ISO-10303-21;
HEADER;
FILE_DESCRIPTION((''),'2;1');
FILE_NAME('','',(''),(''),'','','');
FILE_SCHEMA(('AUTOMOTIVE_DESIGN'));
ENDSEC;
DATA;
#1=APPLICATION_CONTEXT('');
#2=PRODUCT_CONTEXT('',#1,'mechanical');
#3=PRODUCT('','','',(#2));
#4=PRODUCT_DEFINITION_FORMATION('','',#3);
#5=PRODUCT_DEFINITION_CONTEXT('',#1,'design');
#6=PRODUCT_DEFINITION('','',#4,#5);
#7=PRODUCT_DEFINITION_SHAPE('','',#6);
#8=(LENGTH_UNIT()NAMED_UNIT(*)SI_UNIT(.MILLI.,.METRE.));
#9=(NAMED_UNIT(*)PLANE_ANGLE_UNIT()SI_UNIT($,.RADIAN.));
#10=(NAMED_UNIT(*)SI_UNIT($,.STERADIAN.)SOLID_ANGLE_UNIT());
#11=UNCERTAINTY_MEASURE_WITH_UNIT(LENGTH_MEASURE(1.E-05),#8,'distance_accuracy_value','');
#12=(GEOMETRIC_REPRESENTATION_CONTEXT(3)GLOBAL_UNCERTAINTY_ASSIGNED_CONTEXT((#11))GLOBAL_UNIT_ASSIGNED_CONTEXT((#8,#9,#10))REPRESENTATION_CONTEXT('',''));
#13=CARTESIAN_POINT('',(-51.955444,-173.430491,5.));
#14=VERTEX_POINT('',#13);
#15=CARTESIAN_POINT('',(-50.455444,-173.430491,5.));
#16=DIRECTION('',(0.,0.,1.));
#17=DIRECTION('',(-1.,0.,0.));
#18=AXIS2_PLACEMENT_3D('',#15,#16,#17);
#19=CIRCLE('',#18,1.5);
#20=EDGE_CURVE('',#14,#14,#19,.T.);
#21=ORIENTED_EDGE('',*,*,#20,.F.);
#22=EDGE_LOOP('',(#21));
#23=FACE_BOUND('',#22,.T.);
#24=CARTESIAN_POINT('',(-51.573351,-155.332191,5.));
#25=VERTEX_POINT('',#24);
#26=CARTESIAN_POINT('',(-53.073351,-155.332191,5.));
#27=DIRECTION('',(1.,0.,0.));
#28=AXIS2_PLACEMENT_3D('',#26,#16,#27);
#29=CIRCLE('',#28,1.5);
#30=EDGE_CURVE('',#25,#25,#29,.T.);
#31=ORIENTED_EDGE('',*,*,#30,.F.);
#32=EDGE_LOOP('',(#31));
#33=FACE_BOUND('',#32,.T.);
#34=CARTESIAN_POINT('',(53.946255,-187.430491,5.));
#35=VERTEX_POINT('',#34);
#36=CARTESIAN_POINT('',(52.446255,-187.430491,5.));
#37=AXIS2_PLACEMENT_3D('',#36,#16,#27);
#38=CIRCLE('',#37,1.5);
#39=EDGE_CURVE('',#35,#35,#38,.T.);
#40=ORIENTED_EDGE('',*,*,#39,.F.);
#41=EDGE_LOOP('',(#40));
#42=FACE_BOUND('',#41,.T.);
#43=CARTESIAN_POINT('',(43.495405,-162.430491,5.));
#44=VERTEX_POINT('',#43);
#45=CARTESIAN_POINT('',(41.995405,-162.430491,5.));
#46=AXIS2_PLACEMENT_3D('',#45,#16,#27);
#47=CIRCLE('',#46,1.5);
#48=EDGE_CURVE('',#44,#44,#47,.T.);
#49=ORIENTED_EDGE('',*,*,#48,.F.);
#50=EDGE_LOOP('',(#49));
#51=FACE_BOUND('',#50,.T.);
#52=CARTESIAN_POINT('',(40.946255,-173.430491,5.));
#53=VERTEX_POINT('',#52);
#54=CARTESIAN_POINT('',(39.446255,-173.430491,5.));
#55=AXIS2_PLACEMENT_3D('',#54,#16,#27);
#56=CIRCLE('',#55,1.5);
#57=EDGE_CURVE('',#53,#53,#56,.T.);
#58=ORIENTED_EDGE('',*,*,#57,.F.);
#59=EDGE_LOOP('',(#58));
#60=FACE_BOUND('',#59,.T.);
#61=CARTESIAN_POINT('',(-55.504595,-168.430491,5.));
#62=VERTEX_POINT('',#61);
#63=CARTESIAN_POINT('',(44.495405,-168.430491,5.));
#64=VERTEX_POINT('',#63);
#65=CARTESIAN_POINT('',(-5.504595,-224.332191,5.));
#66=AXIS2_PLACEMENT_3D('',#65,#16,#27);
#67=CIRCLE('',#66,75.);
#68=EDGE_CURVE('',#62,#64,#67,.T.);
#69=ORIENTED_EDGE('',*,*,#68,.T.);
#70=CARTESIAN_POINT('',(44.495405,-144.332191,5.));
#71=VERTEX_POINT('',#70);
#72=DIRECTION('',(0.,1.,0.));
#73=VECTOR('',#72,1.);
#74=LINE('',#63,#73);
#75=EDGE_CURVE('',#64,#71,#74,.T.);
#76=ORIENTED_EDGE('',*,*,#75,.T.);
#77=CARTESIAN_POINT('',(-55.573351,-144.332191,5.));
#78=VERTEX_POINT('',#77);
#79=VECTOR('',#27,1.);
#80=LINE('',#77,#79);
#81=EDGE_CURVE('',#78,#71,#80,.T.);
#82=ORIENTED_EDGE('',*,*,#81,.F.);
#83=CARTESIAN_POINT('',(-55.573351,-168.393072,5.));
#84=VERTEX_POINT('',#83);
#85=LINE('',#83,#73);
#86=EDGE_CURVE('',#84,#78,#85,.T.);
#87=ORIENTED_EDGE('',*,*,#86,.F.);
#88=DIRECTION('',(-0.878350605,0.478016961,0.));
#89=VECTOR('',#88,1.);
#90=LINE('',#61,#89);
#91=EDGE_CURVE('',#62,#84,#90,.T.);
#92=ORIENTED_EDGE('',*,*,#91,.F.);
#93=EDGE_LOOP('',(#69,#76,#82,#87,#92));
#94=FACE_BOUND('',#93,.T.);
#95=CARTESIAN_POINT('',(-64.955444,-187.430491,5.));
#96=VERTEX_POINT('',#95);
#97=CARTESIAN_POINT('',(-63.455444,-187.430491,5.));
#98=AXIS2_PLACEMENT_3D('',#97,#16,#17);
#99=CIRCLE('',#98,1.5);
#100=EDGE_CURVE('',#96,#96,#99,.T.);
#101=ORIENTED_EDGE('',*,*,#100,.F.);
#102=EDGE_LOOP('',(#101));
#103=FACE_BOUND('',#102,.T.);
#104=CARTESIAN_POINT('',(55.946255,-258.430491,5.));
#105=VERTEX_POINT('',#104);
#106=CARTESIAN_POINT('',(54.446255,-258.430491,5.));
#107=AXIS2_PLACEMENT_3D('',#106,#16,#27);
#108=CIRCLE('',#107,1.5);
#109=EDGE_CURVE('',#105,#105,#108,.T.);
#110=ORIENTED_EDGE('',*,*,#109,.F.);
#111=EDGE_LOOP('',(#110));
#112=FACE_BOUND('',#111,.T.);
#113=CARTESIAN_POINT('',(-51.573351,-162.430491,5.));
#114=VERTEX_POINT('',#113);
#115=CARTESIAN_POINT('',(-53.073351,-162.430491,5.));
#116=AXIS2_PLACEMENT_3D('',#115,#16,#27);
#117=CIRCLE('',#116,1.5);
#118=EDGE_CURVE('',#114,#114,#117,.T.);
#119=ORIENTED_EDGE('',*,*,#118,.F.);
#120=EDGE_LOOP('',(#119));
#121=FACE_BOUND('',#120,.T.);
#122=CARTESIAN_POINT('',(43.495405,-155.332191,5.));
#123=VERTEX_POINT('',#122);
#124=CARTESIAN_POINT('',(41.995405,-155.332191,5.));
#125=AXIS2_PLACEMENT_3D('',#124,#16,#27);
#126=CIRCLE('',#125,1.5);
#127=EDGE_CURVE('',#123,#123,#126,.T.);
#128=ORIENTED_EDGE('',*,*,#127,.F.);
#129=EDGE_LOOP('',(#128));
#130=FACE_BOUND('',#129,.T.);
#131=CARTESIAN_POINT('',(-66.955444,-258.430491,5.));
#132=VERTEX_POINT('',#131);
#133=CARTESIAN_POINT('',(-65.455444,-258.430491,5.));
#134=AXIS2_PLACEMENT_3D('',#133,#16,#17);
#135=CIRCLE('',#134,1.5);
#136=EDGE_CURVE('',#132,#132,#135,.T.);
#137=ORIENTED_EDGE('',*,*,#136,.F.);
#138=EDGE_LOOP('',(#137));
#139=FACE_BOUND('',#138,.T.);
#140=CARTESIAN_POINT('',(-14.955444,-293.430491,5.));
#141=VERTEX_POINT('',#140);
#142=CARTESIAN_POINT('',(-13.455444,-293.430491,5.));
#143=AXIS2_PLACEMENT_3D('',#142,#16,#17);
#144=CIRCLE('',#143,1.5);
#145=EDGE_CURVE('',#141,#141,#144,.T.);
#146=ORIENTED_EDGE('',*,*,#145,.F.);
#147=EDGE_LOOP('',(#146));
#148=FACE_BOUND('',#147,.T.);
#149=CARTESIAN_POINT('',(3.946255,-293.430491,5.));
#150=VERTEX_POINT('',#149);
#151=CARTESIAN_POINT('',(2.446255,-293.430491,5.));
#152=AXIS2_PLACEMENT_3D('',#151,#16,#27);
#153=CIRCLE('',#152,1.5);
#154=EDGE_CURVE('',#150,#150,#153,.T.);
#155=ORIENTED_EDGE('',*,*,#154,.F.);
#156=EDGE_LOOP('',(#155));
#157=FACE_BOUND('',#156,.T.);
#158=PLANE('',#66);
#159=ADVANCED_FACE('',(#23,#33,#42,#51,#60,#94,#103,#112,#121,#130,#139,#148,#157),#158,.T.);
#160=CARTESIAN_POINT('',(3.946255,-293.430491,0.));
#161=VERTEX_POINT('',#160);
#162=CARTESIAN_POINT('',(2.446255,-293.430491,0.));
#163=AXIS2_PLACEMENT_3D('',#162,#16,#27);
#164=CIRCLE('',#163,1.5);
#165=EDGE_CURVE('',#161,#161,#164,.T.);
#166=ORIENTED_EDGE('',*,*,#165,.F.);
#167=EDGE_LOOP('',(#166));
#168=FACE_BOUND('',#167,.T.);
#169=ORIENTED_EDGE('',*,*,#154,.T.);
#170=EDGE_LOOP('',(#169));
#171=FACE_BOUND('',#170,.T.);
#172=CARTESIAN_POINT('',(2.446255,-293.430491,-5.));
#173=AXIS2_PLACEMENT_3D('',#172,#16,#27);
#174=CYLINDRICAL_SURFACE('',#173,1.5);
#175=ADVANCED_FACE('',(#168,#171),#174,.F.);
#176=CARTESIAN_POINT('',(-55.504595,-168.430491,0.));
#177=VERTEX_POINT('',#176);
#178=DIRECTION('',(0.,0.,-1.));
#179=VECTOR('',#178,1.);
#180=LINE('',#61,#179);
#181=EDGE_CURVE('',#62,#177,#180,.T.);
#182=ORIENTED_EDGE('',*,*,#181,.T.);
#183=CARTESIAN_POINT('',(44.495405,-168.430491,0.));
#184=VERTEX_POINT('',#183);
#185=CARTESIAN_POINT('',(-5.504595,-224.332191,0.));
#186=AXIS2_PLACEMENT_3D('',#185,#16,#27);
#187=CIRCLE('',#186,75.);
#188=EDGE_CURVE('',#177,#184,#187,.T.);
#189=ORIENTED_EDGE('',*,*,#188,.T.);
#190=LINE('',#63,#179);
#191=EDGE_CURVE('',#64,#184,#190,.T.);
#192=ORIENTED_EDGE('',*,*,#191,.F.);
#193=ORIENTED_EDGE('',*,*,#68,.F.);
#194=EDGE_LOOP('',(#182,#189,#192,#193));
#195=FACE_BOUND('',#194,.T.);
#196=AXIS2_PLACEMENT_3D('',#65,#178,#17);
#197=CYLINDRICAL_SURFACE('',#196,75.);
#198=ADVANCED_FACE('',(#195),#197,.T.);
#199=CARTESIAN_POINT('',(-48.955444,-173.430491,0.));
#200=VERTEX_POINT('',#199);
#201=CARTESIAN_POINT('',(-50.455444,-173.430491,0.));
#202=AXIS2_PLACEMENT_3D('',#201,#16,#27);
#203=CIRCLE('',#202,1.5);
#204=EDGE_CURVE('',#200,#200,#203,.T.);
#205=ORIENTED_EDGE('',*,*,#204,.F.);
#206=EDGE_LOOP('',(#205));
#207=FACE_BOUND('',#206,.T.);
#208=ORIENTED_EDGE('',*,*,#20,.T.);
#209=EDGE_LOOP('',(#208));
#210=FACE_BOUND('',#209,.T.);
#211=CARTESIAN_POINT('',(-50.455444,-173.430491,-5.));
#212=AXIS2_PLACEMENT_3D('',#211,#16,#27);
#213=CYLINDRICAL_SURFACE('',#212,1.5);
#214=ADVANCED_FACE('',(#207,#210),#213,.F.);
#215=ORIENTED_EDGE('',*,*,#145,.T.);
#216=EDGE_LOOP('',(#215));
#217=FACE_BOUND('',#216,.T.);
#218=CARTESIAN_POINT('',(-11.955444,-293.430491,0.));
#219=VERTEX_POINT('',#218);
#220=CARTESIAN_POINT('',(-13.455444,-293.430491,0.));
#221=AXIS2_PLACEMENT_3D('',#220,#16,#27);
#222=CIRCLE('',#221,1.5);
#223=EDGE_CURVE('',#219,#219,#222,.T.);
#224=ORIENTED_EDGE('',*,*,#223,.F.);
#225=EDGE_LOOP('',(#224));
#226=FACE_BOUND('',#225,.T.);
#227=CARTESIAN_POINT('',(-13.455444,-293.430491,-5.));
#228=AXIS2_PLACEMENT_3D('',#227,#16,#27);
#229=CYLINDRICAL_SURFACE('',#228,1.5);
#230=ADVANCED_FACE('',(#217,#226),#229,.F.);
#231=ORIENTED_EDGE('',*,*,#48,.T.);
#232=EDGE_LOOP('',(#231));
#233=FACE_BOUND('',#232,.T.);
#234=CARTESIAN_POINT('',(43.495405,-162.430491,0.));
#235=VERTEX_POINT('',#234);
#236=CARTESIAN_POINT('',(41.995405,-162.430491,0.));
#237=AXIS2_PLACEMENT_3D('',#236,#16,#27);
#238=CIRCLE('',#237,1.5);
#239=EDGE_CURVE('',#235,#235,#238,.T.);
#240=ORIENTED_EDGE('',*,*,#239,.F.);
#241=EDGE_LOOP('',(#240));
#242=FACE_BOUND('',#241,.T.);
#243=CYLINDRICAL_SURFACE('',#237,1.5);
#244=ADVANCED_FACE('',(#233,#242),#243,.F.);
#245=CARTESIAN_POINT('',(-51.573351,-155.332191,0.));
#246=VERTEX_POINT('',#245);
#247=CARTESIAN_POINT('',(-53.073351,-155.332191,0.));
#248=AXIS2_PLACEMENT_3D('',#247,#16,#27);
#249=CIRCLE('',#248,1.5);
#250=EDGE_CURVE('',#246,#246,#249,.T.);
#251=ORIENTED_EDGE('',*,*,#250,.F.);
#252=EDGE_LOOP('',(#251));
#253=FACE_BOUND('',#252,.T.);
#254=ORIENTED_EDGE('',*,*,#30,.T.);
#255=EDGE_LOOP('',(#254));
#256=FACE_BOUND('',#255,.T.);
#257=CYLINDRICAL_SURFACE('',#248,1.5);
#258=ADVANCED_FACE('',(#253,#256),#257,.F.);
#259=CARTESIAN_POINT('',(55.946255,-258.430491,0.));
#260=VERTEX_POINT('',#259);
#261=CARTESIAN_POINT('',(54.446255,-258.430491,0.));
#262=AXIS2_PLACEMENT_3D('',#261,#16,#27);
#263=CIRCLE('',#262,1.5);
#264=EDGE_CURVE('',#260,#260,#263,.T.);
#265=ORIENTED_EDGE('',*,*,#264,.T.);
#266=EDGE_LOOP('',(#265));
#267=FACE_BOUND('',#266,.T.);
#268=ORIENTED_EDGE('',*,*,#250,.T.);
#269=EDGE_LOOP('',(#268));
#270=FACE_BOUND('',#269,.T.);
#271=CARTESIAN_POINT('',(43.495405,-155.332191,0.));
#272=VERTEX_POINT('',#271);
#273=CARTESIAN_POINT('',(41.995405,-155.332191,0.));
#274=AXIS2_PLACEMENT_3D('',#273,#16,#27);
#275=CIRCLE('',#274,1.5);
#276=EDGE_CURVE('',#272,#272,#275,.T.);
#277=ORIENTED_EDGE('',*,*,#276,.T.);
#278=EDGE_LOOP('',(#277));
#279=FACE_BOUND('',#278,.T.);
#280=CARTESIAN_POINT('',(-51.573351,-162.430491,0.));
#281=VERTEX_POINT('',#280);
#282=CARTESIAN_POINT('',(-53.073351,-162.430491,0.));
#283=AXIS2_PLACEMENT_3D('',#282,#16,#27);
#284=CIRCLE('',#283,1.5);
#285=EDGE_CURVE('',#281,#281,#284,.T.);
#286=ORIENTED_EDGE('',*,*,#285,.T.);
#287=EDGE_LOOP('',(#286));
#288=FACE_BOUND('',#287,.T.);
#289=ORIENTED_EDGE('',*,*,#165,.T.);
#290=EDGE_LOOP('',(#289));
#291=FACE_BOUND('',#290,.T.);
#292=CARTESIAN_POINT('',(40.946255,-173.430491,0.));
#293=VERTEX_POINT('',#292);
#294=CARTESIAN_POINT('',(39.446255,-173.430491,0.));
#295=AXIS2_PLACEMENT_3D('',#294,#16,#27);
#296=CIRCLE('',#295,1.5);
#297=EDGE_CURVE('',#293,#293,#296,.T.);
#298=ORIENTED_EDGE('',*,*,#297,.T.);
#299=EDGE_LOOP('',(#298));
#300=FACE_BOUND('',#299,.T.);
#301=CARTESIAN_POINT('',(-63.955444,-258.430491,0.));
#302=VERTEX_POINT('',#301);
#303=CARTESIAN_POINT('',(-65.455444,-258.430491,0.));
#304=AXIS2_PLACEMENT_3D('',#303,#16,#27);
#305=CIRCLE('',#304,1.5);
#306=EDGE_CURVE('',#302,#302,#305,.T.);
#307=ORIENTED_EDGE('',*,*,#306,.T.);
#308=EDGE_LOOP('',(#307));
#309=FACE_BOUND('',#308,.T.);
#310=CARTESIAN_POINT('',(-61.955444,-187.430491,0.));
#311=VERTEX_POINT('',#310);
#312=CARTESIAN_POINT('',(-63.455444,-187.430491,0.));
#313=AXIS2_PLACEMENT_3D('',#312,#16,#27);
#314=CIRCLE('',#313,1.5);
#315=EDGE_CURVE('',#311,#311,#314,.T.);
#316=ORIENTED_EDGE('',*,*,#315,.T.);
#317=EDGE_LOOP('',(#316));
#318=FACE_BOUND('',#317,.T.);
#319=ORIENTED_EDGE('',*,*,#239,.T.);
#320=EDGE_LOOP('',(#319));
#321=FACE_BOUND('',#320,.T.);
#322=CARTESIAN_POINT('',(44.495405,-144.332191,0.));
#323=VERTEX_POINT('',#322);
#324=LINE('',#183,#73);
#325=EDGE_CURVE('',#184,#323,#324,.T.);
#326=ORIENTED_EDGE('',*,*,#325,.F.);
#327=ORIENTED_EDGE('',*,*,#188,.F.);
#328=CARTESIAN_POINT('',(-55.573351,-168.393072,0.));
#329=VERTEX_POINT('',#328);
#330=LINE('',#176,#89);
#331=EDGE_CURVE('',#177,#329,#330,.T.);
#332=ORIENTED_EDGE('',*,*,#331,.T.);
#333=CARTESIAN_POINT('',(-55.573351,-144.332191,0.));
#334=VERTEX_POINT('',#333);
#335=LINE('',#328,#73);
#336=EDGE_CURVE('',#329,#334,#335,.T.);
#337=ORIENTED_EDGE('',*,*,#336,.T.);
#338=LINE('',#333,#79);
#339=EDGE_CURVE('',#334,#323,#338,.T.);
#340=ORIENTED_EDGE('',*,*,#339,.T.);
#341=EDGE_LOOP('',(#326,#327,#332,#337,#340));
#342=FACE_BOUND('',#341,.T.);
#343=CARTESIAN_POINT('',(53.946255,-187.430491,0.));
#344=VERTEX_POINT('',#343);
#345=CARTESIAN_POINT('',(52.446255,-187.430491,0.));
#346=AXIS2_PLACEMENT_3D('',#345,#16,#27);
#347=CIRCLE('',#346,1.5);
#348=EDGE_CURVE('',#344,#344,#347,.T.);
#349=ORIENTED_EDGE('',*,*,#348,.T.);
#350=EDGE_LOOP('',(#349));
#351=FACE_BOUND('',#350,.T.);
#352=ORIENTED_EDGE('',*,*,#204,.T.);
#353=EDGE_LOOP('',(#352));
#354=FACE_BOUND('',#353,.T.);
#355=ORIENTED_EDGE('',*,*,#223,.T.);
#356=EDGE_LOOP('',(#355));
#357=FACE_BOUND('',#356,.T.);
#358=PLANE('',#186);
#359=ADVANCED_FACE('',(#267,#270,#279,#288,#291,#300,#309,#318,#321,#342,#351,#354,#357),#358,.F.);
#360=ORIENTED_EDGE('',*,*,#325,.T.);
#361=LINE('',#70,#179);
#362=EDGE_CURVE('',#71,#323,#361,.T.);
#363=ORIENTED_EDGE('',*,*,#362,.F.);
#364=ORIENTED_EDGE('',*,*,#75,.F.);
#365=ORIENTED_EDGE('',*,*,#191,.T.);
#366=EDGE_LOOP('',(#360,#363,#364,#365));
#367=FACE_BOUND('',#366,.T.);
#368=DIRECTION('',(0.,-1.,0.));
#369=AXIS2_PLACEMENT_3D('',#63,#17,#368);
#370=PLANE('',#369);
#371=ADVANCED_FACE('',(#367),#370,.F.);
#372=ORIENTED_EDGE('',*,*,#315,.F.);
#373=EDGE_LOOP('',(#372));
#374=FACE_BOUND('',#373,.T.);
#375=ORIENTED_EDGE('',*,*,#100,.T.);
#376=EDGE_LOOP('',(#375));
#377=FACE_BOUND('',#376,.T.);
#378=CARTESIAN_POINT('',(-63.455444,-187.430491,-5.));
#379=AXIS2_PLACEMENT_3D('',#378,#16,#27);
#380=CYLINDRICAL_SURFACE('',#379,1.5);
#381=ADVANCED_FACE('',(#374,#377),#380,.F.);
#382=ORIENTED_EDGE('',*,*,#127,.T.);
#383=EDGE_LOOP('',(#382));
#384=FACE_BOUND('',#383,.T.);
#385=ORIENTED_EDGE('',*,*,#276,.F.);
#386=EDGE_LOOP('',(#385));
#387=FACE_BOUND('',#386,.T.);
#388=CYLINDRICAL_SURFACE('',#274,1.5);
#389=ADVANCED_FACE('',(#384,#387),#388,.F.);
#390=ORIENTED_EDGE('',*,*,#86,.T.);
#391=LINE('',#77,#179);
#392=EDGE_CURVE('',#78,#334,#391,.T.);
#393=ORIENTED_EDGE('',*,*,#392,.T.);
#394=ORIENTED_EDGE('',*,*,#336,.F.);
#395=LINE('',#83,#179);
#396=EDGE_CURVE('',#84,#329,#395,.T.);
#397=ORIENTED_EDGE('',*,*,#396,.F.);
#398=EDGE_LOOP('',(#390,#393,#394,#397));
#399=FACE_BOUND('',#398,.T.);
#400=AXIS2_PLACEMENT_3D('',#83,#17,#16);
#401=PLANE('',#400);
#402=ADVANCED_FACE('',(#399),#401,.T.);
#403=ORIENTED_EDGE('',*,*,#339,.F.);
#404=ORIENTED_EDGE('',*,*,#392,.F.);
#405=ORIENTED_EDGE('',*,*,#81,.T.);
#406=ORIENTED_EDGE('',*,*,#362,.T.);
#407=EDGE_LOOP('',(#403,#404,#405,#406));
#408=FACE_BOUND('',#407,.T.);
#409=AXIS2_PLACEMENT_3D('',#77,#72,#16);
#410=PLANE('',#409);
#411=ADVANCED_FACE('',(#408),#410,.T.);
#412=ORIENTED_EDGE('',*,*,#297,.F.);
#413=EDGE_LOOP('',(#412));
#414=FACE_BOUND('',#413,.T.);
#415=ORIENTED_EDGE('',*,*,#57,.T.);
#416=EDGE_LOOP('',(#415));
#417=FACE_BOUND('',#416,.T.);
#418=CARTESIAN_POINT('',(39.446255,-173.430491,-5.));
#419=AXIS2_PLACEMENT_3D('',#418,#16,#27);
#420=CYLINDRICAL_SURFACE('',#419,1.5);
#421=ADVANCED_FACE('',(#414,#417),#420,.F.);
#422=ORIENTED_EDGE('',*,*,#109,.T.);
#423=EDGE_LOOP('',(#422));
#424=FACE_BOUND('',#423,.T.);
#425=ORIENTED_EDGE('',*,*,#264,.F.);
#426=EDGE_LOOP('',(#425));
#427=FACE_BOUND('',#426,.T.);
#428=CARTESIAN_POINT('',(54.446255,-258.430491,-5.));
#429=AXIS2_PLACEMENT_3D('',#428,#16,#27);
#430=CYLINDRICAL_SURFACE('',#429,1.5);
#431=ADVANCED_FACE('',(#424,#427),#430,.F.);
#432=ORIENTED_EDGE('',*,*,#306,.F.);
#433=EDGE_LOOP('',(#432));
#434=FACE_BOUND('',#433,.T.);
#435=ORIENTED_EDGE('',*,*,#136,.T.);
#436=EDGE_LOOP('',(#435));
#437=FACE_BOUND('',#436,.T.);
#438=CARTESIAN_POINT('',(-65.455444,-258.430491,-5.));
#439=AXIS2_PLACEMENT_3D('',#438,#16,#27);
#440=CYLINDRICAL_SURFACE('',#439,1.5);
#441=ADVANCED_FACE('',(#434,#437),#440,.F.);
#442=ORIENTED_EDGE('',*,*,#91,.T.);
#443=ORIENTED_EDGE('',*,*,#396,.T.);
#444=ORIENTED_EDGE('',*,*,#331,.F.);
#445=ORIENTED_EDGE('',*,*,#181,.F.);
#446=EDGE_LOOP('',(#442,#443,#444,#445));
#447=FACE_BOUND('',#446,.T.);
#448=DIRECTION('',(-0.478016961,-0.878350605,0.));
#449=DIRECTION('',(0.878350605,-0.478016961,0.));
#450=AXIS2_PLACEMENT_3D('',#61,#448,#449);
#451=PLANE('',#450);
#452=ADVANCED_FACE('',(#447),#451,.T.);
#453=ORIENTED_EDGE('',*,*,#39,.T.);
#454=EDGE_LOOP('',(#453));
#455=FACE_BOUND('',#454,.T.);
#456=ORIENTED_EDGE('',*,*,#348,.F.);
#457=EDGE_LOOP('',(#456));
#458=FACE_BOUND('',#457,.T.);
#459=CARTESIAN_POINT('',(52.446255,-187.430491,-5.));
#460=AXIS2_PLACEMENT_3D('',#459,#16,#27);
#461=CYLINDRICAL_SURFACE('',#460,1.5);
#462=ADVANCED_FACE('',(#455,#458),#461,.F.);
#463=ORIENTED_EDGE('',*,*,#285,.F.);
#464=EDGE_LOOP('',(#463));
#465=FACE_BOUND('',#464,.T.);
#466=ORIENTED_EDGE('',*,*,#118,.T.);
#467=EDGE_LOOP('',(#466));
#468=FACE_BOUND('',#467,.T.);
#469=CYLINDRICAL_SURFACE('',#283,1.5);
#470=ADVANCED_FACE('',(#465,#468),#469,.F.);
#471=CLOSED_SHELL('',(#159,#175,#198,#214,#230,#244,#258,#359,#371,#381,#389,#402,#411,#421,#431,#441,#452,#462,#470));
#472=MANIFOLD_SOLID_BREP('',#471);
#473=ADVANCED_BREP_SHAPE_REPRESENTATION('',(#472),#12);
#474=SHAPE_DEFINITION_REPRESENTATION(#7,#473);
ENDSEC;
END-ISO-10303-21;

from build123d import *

# Parameters (mm, degrees)
RESSALTO_EXTRUS_O1_DEPTH = 5
ESBO_O2_R                = 1.5
CORTE_EXTRUS_O1_DEPTH    = 10
ESBO_O3_R                = 1.5
CORTE_EXTRUS_O2_DEPTH    = 6


with BuildPart() as part:
    # Esboço1 → Ressalto-extrusão1 (new body)
    with BuildSketch(Plane.XY):
        with BuildLine():
            Line((44.495405461, -168.430491325), (44.495405461, -144.332190763))
            Line((44.495405461, -144.332190763), (-55.573351401, -144.332190763))
            Line((-55.573351401, -144.332190763), (-55.573351401, -168.393072388))
            Line((-55.573351401, -168.393072388), (-55.504594539, -168.430491325))
            ThreePointArc((-55.504594539, -168.430491325), (-5.504594539, -299.332190763), (44.495405461, -168.430491325))
        make_face()
    extrude(amount=RESSALTO_EXTRUS_O1_DEPTH)

    # Esboço2 → Corte-extrusão1 (cut)
    with BuildSketch(Plane.XY.offset(5)):
        with Locations((39.44625518, -173.430491325)):
            Circle(ESBO_O2_R)
        with Locations((52.44625518, -187.430491325)):
            Circle(ESBO_O2_R)
        with Locations((54.44625518, -258.430491325)):
            Circle(ESBO_O2_R)
        with Locations((-13.455444258, -293.430491325)):
            Circle(ESBO_O2_R)
        with Locations((2.44625518, -293.430491325)):
            Circle(ESBO_O2_R)
        with Locations((-65.455444258, -258.430491325)):
            Circle(ESBO_O2_R)
        with Locations((-63.455444258, -187.430491325)):
            Circle(ESBO_O2_R)
        with Locations((-50.455444258, -173.430491325)):
            Circle(ESBO_O2_R)
    extrude(amount=-CORTE_EXTRUS_O1_DEPTH, mode=Mode.SUBTRACT)

    # Esboço3 → Corte-extrusão2 (cut, through all)
    with BuildSketch(Plane.XY.offset(5)):
        with Locations((-53.073351401, -162.430491325)):
            Circle(ESBO_O3_R)
        with Locations((-53.073351401, -155.332190763)):
            Circle(ESBO_O3_R)
        with Locations((41.995405461, -162.430491325)):
            Circle(ESBO_O3_R)
        with Locations((41.995405461, -155.332190763)):
            Circle(ESBO_O3_R)
    extrude(amount=-CORTE_EXTRUS_O2_DEPTH, mode=Mode.SUBTRACT)


solid = part.part
